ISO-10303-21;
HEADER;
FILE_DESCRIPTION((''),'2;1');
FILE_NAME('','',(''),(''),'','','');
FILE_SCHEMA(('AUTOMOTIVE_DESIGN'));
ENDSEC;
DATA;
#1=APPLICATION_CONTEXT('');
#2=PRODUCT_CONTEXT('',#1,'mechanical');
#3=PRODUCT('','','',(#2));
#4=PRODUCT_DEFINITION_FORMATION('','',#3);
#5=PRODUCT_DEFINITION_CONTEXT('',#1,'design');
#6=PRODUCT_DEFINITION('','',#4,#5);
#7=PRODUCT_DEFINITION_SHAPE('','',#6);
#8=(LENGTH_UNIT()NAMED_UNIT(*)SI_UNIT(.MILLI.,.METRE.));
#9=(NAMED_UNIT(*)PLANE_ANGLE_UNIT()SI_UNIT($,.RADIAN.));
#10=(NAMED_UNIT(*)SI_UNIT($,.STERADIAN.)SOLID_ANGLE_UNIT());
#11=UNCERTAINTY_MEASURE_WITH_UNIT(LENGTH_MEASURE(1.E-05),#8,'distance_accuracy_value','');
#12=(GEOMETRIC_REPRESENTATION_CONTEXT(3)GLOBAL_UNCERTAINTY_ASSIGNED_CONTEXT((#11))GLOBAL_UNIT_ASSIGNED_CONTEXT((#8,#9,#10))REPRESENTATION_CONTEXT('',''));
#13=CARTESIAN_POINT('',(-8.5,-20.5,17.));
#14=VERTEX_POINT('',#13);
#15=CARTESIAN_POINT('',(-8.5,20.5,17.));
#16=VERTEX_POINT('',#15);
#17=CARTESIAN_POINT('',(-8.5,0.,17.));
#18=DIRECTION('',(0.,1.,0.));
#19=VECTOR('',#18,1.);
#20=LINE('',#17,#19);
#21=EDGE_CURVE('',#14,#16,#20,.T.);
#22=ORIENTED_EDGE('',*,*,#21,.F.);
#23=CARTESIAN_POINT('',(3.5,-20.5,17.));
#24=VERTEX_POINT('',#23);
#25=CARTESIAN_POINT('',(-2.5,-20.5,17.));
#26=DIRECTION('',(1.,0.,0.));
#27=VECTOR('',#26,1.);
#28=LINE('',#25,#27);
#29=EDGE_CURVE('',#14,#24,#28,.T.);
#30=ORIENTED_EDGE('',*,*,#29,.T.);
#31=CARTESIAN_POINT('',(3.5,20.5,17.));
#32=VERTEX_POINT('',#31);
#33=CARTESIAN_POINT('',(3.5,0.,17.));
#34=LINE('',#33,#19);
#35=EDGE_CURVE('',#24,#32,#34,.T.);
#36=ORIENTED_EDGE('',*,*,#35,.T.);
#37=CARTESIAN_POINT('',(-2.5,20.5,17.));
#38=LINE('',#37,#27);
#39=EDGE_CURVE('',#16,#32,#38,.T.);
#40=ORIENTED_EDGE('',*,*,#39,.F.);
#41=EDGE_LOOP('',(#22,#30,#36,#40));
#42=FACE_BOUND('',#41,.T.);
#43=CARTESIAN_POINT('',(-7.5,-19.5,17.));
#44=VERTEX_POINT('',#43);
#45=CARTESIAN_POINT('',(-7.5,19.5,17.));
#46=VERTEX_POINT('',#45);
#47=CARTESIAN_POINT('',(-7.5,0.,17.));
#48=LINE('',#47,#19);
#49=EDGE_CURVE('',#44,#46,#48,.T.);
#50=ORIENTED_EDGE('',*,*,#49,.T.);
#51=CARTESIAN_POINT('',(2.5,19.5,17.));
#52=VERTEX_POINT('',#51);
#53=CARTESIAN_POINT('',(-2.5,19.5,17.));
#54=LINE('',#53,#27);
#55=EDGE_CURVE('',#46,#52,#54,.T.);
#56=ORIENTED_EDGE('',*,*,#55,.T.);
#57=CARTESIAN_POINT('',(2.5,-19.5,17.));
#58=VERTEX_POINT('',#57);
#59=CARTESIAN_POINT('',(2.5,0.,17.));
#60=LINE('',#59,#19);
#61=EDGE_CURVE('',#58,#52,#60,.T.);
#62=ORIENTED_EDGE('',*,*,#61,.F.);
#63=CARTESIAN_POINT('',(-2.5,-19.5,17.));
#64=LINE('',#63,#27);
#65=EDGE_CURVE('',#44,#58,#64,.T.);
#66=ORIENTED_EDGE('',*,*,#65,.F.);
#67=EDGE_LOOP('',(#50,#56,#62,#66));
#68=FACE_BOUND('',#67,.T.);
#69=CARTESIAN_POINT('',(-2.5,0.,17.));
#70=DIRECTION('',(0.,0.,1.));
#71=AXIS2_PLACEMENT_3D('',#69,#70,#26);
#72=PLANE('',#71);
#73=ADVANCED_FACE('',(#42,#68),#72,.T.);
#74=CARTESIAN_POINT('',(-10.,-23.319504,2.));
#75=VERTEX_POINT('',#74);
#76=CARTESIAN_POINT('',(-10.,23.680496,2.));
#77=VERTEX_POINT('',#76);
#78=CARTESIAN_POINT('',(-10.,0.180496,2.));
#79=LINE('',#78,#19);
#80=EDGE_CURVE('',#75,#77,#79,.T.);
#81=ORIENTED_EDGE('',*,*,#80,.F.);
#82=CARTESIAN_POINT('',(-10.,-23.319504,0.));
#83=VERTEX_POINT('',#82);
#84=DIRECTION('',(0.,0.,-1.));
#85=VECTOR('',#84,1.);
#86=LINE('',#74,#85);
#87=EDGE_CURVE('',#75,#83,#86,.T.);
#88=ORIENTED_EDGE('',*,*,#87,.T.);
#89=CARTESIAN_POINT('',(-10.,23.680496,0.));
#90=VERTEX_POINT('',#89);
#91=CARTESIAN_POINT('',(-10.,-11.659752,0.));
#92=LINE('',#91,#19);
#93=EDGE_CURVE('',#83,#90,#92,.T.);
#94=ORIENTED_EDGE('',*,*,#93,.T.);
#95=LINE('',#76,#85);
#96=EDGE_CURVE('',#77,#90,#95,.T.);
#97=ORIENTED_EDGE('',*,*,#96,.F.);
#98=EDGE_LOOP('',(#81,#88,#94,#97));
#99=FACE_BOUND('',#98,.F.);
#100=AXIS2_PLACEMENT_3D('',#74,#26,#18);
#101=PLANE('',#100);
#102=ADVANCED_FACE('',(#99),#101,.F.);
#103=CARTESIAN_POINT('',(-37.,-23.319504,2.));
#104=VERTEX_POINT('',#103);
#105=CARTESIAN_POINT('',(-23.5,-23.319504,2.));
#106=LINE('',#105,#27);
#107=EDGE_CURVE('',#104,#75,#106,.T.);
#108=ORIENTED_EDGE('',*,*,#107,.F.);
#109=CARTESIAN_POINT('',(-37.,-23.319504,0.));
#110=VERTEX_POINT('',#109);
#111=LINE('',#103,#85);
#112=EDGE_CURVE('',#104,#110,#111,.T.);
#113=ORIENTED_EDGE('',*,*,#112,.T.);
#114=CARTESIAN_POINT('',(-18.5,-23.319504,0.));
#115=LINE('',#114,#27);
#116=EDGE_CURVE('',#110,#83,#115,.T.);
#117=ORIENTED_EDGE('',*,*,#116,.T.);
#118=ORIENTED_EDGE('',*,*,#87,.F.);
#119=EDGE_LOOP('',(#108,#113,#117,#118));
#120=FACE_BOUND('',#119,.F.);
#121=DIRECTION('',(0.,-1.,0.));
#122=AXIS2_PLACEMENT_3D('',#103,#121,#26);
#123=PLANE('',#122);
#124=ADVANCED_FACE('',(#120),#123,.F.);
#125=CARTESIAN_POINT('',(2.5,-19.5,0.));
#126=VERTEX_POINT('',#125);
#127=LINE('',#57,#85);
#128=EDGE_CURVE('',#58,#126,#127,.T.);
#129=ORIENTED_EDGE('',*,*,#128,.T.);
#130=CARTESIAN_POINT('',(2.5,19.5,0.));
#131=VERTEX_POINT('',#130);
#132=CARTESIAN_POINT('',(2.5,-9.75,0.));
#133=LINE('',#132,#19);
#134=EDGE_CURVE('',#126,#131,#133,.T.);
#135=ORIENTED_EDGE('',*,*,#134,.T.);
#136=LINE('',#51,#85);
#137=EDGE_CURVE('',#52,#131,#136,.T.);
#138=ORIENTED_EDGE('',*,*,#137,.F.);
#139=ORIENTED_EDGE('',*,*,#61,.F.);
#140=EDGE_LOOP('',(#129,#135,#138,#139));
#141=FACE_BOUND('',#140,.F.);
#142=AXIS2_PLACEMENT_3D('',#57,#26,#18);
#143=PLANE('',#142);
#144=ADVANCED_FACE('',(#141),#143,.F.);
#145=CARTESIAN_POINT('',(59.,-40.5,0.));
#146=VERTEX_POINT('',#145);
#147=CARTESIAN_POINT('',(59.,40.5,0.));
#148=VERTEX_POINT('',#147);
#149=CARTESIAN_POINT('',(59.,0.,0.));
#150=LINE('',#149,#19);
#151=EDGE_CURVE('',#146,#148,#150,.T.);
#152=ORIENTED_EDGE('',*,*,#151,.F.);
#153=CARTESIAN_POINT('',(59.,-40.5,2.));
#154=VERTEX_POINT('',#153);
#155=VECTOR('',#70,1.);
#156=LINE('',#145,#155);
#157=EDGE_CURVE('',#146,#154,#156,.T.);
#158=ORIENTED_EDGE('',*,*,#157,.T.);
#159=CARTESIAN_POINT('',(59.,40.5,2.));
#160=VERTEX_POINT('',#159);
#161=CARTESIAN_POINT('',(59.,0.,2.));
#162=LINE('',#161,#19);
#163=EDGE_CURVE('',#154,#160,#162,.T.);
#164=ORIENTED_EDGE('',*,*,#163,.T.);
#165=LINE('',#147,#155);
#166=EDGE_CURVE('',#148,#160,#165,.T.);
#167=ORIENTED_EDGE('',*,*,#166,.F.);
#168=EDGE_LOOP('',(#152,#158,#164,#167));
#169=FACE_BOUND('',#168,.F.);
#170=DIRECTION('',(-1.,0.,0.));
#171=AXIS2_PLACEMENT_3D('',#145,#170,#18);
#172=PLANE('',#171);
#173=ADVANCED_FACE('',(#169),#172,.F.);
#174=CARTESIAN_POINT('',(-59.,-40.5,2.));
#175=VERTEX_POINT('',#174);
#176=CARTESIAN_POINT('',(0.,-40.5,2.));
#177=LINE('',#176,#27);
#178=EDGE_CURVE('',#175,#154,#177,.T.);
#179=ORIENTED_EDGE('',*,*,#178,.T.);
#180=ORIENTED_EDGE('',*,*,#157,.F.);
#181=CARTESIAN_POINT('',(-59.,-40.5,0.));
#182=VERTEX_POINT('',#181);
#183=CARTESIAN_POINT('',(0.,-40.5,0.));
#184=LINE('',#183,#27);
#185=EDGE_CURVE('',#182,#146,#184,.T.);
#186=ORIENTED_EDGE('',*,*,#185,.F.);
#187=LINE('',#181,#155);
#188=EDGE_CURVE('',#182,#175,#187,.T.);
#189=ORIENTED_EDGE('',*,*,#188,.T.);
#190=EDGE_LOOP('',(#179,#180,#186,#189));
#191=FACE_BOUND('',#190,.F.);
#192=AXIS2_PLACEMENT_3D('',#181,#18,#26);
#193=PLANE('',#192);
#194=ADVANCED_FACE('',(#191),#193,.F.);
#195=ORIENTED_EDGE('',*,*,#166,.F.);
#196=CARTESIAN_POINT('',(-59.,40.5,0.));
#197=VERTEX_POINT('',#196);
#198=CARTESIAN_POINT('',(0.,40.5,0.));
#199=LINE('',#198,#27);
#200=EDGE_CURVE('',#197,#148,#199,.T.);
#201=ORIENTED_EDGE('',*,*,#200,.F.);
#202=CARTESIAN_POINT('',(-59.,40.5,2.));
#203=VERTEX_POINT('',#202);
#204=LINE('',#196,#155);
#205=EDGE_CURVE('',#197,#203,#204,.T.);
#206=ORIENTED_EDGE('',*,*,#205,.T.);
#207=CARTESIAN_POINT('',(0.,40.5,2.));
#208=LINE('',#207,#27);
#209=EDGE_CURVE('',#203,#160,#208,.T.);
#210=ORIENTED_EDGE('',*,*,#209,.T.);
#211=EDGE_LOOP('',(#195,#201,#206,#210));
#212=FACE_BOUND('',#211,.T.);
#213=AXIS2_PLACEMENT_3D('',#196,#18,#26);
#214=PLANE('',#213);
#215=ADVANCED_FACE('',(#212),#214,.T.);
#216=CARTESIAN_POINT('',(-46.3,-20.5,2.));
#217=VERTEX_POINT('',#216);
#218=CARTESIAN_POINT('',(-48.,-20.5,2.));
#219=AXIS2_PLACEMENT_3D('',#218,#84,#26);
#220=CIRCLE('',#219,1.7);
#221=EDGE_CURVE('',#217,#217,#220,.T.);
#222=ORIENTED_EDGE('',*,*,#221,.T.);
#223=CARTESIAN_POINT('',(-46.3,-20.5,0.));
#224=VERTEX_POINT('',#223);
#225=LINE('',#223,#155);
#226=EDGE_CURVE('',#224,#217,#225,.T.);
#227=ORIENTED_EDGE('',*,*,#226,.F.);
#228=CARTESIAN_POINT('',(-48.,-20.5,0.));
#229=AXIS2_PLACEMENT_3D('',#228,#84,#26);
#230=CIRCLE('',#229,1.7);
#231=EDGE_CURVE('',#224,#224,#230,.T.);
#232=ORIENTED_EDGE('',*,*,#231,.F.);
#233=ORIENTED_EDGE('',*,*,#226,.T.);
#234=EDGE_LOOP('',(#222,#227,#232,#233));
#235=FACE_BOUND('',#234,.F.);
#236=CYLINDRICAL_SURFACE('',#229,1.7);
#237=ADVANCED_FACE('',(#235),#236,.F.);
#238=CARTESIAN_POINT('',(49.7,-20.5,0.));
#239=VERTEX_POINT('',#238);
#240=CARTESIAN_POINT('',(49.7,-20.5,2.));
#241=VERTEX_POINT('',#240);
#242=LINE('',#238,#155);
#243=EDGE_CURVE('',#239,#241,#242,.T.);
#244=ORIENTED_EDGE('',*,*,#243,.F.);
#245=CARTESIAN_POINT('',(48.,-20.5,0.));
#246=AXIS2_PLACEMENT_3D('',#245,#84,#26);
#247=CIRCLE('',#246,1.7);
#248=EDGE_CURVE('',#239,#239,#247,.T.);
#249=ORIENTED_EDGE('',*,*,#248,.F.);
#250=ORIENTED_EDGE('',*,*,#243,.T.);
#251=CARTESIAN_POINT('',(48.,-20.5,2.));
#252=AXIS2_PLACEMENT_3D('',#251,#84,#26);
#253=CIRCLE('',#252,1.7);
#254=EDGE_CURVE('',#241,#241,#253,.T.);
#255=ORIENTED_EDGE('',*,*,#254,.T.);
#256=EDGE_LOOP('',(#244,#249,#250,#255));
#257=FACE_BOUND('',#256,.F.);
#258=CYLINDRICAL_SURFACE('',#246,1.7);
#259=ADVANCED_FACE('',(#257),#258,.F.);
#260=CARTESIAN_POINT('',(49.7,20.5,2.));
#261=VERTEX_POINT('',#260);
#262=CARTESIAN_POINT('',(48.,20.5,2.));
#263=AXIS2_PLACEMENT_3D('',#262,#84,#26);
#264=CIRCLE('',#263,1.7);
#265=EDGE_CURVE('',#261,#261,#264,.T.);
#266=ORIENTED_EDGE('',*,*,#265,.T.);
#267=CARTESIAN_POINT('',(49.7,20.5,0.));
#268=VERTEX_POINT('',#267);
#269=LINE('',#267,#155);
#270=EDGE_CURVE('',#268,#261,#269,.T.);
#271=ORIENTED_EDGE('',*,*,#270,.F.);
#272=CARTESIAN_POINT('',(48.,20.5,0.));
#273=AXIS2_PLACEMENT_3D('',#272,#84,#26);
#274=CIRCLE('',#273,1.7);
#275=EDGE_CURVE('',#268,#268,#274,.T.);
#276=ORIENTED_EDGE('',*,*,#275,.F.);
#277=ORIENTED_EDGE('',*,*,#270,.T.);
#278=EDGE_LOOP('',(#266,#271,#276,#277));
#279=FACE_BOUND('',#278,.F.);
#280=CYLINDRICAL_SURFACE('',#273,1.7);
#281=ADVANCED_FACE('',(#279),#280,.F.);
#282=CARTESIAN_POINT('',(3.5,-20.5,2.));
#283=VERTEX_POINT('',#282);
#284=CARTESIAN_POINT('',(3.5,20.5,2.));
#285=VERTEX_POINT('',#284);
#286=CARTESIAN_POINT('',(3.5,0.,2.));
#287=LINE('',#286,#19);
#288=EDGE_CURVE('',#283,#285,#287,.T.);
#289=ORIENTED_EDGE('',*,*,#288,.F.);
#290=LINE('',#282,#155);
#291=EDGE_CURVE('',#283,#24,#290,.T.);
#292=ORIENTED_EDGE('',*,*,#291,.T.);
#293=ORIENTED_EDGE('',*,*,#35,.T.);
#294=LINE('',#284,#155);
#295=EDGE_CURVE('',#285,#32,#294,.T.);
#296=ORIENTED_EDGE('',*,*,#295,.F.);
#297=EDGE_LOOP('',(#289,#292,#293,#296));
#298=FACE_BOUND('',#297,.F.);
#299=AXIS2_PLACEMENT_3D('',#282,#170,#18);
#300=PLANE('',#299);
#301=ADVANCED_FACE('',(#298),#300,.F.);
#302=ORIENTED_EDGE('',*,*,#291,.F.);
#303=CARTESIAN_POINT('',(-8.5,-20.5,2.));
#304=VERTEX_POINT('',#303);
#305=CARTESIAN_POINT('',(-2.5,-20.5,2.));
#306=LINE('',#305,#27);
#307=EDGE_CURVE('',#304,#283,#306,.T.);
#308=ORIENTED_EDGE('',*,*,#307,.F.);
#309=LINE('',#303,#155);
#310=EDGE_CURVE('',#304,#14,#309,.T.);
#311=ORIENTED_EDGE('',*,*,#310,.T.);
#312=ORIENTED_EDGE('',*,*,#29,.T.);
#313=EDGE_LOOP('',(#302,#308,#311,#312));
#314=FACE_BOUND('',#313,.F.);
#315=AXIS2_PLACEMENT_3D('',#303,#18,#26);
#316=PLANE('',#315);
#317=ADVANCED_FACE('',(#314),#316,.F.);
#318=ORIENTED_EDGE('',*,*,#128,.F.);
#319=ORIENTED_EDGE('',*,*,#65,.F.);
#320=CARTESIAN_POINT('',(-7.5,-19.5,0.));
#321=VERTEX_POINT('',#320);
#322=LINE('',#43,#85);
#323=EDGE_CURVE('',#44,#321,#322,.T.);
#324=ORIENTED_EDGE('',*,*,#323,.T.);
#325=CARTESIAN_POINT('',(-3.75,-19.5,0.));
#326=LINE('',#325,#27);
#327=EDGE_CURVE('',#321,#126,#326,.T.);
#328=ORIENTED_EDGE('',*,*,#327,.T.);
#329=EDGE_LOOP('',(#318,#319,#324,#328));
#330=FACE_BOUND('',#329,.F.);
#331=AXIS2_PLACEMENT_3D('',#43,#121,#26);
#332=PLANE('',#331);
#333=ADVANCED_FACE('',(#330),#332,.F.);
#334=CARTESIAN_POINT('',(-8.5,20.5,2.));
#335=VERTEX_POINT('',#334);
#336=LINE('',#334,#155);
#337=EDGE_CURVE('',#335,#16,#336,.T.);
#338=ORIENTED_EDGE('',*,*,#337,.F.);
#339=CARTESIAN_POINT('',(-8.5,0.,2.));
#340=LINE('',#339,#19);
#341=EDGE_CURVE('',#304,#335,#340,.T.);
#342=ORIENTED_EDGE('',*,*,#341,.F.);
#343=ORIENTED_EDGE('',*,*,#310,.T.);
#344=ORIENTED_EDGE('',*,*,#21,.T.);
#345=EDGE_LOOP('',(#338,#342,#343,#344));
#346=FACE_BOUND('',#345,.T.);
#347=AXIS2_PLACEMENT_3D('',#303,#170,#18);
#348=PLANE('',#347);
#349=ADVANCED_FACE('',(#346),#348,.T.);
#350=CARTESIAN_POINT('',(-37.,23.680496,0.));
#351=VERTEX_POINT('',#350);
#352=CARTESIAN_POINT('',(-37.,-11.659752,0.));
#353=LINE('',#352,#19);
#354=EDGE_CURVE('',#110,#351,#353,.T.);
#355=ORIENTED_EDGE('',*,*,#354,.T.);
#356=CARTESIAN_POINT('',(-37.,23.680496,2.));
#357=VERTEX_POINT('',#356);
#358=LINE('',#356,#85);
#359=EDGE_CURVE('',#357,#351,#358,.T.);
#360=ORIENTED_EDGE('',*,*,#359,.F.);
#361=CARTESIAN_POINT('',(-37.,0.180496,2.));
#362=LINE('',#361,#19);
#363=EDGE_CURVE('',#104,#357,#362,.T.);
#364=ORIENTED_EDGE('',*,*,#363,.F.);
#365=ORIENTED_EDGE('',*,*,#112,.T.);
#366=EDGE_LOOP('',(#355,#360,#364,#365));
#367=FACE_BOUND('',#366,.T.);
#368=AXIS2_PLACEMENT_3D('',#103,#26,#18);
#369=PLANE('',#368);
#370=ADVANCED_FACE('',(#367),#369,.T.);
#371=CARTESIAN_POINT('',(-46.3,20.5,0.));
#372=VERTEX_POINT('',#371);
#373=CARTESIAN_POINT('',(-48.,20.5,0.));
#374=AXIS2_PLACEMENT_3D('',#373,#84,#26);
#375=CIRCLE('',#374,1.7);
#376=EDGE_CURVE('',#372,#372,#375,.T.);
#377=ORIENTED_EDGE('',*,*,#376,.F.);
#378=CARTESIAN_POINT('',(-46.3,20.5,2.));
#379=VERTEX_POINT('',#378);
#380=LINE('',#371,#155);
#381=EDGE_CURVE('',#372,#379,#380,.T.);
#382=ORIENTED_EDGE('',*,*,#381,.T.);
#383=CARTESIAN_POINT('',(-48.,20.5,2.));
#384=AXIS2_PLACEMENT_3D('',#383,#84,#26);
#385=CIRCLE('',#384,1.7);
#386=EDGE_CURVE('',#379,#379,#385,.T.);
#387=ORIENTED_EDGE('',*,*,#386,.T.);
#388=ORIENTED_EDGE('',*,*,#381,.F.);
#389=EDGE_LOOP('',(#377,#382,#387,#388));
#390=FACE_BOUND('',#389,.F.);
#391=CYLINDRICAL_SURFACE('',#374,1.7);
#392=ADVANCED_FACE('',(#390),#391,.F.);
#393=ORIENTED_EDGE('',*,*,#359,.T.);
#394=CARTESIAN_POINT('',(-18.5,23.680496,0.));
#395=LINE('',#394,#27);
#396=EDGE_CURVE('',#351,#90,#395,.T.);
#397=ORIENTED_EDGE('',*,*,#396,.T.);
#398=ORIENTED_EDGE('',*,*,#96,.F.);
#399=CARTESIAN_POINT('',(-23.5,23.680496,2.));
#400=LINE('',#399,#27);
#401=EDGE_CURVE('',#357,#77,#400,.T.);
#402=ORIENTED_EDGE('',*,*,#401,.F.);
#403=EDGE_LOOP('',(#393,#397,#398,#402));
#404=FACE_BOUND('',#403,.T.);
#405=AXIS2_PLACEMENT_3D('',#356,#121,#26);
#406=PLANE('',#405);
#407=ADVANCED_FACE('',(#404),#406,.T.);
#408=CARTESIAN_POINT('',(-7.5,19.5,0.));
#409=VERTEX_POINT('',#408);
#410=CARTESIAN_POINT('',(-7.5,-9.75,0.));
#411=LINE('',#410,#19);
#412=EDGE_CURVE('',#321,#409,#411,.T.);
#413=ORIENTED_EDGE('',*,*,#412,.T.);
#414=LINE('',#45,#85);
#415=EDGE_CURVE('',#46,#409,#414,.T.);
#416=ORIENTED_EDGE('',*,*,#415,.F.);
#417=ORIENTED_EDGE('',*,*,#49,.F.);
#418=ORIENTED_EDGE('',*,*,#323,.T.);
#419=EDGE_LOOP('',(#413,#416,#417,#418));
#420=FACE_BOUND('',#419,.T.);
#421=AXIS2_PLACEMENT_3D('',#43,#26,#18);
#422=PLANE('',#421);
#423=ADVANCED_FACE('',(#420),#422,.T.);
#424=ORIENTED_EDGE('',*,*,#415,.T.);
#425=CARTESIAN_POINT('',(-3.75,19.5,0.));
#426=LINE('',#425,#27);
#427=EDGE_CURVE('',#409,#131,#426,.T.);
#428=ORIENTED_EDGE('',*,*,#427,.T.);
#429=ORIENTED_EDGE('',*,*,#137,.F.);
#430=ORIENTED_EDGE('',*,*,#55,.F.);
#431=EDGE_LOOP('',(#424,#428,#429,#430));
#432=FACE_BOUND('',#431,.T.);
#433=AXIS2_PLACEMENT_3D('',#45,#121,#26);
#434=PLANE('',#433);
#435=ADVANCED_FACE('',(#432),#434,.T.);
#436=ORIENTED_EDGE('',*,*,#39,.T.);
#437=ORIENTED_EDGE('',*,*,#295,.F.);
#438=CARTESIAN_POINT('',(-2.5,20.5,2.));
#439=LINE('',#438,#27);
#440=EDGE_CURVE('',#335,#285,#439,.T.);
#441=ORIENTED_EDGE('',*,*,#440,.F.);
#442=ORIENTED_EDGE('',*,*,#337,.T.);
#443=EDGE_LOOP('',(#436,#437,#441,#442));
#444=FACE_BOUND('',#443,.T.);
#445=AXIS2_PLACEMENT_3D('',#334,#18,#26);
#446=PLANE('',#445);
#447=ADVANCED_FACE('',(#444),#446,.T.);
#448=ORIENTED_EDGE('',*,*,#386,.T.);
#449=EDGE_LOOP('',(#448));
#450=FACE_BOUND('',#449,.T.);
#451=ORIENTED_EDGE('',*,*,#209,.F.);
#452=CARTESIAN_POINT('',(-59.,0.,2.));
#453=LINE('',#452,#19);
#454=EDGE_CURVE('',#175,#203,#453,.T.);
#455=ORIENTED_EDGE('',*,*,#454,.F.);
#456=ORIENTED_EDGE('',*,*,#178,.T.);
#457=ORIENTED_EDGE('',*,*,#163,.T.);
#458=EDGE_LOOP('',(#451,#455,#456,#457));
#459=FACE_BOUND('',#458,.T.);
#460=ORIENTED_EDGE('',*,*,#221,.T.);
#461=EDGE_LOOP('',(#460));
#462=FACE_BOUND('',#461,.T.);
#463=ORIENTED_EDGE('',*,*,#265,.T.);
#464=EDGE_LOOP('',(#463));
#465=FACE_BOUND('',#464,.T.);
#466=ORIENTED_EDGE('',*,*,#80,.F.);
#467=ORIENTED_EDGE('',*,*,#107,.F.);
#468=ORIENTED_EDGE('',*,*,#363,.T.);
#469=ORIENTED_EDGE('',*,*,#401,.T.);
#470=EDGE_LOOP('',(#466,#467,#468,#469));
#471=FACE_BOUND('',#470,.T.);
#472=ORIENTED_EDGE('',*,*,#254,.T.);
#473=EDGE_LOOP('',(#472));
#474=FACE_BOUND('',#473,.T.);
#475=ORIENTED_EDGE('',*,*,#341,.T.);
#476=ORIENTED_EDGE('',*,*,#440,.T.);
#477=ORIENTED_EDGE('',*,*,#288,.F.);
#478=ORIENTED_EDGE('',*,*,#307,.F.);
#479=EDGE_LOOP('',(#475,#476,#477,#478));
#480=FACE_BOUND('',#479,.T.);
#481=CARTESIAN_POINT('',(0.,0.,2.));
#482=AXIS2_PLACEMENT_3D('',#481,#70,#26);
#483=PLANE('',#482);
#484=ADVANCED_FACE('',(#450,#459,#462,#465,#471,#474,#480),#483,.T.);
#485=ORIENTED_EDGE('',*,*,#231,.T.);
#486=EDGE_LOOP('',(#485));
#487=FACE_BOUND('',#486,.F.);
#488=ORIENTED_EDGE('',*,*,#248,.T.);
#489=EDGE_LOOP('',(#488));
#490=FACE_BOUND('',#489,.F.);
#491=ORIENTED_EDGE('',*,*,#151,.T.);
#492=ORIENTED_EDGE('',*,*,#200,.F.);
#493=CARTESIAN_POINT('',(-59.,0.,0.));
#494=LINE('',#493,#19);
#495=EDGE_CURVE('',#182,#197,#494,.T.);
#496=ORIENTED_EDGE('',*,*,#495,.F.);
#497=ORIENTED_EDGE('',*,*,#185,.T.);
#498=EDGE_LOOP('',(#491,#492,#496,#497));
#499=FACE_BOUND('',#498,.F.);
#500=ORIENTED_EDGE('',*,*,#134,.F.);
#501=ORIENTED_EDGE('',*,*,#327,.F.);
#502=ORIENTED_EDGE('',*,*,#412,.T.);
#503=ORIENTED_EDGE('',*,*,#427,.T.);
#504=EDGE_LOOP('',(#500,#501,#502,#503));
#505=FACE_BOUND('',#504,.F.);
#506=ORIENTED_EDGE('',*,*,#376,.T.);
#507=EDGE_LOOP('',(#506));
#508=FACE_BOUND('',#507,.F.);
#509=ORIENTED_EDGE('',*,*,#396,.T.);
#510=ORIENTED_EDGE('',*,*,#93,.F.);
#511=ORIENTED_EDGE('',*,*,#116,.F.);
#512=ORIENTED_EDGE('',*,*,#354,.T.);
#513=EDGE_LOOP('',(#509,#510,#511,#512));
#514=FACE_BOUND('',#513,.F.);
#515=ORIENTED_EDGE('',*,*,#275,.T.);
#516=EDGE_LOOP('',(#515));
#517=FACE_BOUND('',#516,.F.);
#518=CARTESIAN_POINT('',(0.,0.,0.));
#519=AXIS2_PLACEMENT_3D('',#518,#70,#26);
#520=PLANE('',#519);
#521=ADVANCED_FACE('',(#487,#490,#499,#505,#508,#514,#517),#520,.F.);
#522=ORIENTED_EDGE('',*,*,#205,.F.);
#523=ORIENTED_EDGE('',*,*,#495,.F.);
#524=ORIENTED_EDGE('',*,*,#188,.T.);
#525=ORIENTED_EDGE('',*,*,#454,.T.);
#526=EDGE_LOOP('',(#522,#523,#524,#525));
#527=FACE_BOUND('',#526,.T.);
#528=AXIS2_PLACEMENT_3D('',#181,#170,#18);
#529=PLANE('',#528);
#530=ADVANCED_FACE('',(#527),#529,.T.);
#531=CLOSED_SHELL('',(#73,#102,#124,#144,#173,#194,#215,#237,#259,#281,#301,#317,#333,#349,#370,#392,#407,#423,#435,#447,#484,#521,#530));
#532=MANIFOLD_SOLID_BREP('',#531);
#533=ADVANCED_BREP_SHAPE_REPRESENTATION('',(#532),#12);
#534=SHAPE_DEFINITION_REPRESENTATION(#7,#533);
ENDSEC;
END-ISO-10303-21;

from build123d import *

# Parameters (mm, degrees)
SKETCH_W        = 118
SKETCH_H        = 81
PAD_DEPTH       = 2
SKETCH001_R     = 1.7
HOLE_DEPTH      = 25
SKETCH002_W     = 12
SKETCH002_H     = 41
PAD001_DEPTH    = 15
SKETCH003_W     = 10
SKETCH003_H     = 39
POCKET_DEPTH    = 17.001
SKETCH004_W     = 27
SKETCH004_H     = 47
POCKET001_DEPTH = 5


with BuildPart() as part:
    # Sketch → Pad (new body)
    with BuildSketch(Plane.XY):
        Rectangle(SKETCH_W, SKETCH_H)
    extrude(amount=PAD_DEPTH)

    # Sketch001 (on Face5 of Pad) → Hole (cut)
    with BuildSketch(Plane(origin=(0, 0, 0), x_dir=(1, 0, 0), z_dir=(0, 0, -1))):
        with Locations((-48, 20.5)):
            Circle(SKETCH001_R)
        with Locations((-48, -20.5)):
            Circle(SKETCH001_R)
        with Locations((48, 20.5)):
            Circle(SKETCH001_R)
        with Locations((48, -20.5)):
            Circle(SKETCH001_R)
    extrude(amount=-HOLE_DEPTH, mode=Mode.SUBTRACT)

    # Sketch002 (on Face5 of Hole) → Pad001 (join)
    with BuildSketch(Plane.XY.offset(2)):
        with Locations((-2.5, 0)):
            Rectangle(SKETCH002_W, SKETCH002_H)
    extrude(amount=PAD001_DEPTH)

    # Sketch003 (on Face15 of Pad001) → Pocket (cut, through all)
    with BuildSketch(Plane.XY.offset(17)):
        with Locations((-2.5, 0)):
            Rectangle(SKETCH003_W, SKETCH003_H)
    extrude(amount=-POCKET_DEPTH, mode=Mode.SUBTRACT)

    # Sketch004 (on Face5 of Pocket) → Pocket001 (cut)
    with BuildSketch(Plane.XY.offset(2)):
        with Locations((-23.5, 0.180496)):
            Rectangle(SKETCH004_W, SKETCH004_H)
    extrude(amount=-POCKET001_DEPTH, mode=Mode.SUBTRACT)


solid = part.part
